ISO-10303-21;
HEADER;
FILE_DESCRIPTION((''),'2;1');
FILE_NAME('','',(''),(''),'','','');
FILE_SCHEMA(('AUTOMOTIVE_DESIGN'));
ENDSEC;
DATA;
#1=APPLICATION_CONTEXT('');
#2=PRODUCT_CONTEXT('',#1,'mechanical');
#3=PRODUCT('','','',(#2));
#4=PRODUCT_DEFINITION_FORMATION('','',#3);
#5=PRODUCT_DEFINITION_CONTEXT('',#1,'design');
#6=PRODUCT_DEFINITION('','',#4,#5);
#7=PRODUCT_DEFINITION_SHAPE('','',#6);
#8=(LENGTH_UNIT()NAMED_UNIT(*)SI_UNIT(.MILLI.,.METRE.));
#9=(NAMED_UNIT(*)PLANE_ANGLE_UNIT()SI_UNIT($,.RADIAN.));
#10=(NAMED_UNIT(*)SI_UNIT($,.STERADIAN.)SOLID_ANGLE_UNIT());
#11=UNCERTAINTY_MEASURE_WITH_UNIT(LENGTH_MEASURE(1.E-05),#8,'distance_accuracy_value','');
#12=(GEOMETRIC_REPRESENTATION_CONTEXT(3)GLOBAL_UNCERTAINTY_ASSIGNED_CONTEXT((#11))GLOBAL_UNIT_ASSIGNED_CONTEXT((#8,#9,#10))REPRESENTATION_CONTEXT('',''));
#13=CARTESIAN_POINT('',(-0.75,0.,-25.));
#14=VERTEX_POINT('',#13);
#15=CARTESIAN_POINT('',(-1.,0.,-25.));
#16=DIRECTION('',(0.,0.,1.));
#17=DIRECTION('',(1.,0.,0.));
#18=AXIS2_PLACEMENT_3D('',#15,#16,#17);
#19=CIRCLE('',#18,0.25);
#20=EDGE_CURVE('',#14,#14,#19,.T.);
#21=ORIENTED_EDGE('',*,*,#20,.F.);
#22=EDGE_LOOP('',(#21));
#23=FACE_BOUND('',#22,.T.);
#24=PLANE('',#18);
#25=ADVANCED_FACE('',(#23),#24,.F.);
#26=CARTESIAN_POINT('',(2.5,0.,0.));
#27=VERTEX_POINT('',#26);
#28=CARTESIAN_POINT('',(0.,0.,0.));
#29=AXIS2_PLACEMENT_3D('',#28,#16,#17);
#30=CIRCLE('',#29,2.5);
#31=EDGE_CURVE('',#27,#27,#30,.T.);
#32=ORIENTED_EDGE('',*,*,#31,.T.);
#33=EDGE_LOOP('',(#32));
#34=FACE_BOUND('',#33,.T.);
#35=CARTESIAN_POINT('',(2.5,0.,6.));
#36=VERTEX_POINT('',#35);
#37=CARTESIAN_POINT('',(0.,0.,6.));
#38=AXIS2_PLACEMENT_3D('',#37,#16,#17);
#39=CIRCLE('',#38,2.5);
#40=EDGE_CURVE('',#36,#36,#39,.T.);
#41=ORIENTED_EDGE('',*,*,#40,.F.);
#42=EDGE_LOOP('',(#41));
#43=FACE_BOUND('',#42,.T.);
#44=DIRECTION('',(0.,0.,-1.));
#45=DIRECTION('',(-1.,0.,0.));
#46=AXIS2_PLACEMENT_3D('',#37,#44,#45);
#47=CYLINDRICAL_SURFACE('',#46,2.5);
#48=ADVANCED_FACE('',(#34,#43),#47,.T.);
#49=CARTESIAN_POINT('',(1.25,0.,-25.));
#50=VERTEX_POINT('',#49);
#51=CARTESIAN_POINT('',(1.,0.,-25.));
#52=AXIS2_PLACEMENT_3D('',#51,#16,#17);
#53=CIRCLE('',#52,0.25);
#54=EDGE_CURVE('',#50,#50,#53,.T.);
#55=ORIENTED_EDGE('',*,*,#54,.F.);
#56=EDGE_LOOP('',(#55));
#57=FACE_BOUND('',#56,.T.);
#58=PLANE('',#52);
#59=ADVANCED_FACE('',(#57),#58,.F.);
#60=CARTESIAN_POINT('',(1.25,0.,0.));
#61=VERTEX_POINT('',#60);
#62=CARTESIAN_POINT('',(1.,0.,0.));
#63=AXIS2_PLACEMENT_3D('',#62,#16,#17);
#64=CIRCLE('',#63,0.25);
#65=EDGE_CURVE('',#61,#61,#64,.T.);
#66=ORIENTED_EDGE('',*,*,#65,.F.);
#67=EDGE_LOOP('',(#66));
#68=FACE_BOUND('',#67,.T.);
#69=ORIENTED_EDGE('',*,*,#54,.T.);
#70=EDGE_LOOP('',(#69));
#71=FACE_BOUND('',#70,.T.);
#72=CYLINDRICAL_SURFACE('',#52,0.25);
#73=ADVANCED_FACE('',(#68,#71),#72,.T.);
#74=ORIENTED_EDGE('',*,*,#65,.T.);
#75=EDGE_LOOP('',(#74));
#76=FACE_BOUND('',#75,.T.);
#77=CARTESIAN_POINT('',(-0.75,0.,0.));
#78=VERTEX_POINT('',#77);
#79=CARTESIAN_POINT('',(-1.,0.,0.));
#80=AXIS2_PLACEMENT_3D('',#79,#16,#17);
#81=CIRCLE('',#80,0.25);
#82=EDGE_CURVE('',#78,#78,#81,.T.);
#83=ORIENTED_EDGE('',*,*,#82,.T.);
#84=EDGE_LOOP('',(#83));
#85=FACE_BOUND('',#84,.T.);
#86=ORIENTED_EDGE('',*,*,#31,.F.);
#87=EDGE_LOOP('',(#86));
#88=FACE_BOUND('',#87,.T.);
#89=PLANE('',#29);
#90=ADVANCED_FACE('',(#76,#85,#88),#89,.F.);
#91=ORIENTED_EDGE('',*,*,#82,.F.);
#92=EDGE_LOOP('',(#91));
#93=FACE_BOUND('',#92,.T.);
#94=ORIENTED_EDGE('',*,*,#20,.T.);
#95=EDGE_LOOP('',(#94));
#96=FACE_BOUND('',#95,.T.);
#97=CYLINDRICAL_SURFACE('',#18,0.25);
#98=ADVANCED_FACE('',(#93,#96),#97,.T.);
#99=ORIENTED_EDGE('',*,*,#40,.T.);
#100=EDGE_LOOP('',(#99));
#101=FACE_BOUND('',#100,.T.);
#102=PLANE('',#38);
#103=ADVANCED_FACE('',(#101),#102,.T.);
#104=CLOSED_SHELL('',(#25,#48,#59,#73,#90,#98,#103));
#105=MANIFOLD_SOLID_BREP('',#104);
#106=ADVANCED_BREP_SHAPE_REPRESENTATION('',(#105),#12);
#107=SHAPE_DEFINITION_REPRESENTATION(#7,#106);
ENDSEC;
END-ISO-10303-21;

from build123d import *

# Parameters (mm, degrees)
SKETCH1_R           = 2.5
BOSS_EXTRUDE1_DEPTH = 6
SKETCH2_R           = 0.25
BOSS_EXTRUDE2_DEPTH = 25


with BuildPart() as part:
    # Sketch1 → Boss-Extrude1 (new body)
    with BuildSketch(Plane.XY):
        Circle(SKETCH1_R)
    extrude(amount=BOSS_EXTRUDE1_DEPTH)

    # Sketch2 → Boss-Extrude2 (add)
    with BuildSketch(Plane.XY):
        with Locations((-1, 0)):
            Circle(SKETCH2_R)
        with Locations((1, 0)):
            Circle(SKETCH2_R)
    extrude(amount=-BOSS_EXTRUDE2_DEPTH)


solid = part.part
